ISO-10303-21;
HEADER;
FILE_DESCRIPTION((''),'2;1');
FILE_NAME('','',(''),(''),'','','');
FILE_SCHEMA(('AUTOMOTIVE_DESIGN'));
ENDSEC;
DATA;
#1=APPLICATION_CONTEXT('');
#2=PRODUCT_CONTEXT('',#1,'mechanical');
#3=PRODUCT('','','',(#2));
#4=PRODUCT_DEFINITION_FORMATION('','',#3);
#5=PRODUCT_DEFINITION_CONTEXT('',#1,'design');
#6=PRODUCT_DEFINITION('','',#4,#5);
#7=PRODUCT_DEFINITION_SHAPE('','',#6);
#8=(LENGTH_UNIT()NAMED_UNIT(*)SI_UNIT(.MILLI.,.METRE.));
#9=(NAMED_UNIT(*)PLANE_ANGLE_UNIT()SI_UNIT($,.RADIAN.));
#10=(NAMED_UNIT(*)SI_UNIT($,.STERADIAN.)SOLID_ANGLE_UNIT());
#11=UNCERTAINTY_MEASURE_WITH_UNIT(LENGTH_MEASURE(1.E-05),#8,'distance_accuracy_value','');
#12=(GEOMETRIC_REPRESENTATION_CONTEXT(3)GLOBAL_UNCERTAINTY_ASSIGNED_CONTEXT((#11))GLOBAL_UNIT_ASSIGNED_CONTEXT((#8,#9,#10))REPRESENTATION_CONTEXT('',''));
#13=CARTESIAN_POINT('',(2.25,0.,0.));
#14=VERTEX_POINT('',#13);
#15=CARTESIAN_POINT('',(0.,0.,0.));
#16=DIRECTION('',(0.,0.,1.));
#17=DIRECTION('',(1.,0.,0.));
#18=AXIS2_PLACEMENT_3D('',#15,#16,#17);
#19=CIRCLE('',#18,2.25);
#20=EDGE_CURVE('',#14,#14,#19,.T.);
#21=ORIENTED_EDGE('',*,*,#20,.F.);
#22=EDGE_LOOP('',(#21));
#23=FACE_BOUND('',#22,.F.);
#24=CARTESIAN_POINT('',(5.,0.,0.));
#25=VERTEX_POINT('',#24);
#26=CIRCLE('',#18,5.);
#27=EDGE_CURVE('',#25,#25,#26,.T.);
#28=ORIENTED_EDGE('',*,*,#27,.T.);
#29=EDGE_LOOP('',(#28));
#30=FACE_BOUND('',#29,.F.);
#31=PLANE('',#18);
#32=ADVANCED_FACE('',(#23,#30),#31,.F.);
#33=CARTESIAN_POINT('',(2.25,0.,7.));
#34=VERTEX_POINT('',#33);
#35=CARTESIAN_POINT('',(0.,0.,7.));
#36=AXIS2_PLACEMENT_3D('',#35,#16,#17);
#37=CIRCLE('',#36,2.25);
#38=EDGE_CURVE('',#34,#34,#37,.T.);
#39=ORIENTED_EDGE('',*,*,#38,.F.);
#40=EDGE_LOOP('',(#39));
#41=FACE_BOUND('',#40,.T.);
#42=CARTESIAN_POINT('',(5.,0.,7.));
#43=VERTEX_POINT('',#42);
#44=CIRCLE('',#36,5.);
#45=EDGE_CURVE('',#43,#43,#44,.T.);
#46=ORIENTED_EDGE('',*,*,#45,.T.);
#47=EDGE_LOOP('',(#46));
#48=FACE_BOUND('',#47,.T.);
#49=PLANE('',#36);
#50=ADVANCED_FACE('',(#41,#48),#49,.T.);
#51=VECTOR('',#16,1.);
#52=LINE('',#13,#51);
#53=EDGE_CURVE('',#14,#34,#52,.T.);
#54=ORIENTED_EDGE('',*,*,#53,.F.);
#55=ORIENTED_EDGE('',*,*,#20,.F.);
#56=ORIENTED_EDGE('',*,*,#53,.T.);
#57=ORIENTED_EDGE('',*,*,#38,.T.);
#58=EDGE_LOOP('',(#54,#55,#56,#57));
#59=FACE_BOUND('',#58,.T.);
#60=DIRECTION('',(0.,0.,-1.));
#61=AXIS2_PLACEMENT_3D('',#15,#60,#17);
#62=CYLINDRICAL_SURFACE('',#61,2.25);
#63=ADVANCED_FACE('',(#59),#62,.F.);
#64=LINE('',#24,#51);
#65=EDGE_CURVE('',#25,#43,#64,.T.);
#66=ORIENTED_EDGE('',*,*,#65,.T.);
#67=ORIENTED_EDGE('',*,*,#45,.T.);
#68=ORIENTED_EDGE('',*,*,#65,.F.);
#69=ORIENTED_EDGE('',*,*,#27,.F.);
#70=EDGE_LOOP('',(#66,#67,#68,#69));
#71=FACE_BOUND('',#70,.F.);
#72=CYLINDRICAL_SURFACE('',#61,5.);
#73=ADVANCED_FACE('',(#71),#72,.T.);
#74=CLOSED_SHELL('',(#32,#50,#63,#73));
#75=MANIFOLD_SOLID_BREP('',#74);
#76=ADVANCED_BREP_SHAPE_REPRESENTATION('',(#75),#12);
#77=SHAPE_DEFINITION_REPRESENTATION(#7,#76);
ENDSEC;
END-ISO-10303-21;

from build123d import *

# Parameters (mm, degrees)
SKETCH_R   = 5
SKETCH_R_2 = 2.25
PAD_DEPTH  = 7


with BuildPart() as part:
    # Sketch → Pad (new body)
    with BuildSketch(Plane.XY):
        Circle(SKETCH_R)
        Circle(SKETCH_R_2, mode=Mode.SUBTRACT)
    extrude(amount=PAD_DEPTH)


solid = part.part
